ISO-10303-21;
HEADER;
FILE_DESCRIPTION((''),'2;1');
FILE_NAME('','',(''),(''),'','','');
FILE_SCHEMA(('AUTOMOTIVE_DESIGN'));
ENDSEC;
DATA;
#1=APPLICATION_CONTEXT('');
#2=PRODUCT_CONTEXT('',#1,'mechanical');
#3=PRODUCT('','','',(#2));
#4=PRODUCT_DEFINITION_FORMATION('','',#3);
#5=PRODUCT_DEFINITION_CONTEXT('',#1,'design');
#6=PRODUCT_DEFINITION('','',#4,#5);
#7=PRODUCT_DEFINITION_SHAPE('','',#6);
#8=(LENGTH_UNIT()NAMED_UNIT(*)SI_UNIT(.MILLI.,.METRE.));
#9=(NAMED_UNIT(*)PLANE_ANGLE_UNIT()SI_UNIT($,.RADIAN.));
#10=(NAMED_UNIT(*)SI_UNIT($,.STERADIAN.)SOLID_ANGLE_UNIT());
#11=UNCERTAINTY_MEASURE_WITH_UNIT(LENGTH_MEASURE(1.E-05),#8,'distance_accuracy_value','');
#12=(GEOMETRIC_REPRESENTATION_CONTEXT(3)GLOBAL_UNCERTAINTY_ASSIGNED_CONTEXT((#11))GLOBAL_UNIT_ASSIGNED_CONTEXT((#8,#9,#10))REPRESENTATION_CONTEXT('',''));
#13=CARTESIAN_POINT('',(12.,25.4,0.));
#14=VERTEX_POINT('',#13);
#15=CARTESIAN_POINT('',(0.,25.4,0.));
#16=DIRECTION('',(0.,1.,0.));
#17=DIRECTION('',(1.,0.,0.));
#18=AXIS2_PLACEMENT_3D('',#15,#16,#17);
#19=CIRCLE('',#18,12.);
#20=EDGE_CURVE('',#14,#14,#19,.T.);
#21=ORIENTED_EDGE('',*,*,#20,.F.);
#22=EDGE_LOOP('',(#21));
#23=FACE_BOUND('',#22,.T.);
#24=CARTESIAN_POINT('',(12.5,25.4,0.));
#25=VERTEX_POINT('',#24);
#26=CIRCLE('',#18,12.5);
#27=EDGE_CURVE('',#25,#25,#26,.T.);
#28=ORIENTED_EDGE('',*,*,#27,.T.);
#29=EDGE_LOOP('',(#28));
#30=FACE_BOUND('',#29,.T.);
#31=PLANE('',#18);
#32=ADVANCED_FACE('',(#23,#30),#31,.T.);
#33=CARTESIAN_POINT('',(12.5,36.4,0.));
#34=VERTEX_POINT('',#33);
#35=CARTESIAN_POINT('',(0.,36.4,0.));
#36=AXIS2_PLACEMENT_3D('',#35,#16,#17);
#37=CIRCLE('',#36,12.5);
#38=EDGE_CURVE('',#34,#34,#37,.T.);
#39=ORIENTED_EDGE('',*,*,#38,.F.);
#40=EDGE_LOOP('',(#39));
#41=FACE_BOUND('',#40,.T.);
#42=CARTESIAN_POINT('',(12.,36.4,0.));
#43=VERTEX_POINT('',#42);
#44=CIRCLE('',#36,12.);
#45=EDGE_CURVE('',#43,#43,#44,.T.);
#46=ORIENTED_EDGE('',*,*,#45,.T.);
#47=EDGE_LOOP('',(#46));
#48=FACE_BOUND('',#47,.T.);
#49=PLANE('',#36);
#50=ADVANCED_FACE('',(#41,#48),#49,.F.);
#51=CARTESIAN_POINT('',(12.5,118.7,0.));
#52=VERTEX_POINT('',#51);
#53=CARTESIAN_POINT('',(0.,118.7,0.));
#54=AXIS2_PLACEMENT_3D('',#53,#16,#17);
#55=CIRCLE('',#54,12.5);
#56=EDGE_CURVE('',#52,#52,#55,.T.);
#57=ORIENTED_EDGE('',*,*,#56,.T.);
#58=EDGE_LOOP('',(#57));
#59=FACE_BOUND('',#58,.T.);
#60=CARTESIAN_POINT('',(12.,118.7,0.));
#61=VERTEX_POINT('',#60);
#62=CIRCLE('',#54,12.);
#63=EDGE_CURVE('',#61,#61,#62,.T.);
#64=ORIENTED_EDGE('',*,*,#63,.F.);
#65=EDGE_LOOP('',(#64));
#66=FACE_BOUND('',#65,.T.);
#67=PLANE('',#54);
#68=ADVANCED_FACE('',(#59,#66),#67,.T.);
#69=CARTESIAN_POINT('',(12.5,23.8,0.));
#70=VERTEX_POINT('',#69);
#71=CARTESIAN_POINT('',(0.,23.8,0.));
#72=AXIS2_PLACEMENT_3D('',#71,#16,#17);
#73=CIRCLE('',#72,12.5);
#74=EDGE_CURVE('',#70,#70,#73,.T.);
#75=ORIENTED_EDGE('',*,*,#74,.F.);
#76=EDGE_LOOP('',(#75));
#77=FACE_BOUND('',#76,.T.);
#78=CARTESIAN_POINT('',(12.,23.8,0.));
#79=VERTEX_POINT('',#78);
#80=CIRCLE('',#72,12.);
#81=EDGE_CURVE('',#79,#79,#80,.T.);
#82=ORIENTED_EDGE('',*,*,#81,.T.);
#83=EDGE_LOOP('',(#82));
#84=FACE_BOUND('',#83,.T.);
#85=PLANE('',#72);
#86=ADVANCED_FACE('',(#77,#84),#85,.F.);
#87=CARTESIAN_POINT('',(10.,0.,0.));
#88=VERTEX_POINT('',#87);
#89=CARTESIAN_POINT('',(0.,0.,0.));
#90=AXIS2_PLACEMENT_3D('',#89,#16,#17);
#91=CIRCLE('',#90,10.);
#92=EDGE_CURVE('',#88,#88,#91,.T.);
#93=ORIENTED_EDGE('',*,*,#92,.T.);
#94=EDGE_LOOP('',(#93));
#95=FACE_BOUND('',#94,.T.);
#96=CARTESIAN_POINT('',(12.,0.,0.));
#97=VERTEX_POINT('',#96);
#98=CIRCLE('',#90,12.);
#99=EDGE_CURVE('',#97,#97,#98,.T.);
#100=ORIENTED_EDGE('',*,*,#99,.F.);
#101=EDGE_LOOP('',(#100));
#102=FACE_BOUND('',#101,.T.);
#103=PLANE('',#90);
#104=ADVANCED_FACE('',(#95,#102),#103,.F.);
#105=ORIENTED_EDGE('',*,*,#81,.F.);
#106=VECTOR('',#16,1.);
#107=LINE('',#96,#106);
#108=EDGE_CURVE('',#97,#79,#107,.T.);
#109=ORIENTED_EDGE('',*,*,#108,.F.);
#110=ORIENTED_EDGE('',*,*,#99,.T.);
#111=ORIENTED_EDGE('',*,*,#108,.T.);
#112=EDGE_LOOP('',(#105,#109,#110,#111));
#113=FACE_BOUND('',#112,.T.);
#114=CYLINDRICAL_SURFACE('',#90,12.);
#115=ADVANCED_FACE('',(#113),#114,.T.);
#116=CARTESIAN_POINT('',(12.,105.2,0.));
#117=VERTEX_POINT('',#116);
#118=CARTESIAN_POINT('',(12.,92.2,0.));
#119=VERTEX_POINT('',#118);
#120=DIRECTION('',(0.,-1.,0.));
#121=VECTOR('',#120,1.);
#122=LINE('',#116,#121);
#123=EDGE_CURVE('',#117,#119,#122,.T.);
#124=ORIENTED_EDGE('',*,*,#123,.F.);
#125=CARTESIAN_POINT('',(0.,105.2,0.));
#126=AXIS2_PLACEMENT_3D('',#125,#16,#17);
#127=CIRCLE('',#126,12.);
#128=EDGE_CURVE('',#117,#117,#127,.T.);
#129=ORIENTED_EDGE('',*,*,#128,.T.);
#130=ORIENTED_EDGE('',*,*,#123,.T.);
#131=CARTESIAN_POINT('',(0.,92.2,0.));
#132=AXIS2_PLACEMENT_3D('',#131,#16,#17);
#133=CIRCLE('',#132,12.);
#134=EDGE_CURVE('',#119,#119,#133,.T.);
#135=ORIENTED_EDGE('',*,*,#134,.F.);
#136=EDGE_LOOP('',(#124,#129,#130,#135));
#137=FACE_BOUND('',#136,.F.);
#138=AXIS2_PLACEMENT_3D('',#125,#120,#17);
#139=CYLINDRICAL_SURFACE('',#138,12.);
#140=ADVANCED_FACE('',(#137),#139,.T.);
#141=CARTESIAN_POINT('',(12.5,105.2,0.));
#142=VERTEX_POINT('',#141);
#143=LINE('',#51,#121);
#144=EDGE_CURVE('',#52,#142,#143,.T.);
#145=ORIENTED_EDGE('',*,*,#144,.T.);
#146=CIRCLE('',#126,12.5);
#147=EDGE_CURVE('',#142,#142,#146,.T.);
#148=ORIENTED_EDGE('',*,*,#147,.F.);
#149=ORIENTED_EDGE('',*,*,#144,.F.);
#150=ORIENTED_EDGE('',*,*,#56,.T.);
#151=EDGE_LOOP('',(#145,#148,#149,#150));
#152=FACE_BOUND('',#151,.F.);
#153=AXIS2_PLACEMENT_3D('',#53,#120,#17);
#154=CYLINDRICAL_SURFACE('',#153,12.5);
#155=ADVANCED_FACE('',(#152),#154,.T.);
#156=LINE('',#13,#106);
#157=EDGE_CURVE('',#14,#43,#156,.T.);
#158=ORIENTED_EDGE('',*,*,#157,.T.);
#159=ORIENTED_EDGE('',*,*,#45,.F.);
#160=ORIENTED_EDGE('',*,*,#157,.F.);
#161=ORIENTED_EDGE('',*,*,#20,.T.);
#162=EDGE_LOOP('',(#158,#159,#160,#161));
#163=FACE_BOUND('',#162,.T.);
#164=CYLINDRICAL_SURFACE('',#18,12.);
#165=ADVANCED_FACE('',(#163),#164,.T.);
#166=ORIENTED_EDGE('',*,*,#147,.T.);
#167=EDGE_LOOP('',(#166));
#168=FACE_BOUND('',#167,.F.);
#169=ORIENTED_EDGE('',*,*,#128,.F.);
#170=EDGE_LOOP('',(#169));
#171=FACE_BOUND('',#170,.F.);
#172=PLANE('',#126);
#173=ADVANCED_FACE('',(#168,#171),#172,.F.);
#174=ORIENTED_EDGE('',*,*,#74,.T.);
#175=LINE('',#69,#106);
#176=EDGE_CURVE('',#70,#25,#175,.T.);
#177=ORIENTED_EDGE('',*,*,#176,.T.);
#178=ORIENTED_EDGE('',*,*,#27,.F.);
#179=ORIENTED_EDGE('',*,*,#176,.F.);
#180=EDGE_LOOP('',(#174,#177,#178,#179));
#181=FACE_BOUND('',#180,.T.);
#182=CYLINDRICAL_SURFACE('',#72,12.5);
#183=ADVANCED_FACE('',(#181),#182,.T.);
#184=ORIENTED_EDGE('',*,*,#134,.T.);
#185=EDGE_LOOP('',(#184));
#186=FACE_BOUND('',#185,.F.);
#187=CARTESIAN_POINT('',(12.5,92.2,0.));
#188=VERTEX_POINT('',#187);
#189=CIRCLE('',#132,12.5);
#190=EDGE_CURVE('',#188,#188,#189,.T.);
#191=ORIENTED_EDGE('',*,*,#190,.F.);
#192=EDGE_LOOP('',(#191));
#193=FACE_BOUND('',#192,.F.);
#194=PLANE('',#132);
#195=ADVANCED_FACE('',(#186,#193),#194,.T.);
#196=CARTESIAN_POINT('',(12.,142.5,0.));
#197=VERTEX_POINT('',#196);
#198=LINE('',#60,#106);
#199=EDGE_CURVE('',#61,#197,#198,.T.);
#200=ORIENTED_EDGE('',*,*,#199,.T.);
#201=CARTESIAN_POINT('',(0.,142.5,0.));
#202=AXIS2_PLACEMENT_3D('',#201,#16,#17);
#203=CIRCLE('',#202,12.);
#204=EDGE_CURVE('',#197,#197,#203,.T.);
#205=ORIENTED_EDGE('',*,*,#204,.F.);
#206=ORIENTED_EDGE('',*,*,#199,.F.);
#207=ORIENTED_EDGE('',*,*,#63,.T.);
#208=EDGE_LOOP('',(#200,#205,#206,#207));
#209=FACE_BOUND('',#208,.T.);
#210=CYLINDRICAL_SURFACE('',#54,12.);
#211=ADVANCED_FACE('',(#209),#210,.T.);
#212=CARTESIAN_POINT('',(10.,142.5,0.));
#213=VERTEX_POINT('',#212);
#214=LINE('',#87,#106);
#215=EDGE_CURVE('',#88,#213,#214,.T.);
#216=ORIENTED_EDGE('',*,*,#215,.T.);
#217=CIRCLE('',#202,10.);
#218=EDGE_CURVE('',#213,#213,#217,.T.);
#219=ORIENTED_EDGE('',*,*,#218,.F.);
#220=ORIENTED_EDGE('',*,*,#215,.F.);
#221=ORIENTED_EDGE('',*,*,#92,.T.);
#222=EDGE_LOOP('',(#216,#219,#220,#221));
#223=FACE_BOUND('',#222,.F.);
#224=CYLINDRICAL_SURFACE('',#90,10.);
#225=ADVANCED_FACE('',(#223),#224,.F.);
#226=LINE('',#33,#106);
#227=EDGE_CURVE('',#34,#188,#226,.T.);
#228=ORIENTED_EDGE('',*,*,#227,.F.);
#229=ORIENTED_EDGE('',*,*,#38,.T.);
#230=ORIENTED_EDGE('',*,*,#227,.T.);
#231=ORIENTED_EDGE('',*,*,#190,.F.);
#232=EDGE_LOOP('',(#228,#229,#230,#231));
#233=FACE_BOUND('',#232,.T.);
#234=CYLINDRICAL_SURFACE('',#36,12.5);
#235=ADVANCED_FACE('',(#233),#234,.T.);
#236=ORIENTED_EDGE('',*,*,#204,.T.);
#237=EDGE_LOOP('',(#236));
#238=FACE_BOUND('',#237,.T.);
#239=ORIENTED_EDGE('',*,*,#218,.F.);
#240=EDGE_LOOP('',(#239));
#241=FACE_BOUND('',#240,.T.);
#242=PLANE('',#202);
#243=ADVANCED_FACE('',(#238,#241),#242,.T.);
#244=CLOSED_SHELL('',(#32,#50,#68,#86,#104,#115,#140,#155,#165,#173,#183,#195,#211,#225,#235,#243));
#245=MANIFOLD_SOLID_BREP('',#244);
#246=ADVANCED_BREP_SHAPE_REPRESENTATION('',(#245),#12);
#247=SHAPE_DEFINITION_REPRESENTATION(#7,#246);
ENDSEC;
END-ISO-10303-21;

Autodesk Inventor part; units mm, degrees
ref_plane "YZ Plane" through (0, 0, 0) normal (1, 0, 0) x (0, 1, 0)
ref_plane "XZ Plane" through (0, 0, 0) normal (0, 1, 0) x (-1, 0, 0)
ref_plane "XY Plane" through (0, 0, 0) normal (0, 0, 1) x (1, 0, 0)
sketch "Sketch1" plane through (0, 0, 0) normal (0, 0, 1) x (1, 0, 0)
  line L0 (0, 0) -> (10, 0)
  line L1 (10, 0) -> (12, 0)
  line L2 (10, 0) -> (10, 142.5)
  line L3 (0, 0) -> (0, 30)
  line L4 (12, 0) -> (12, 23.8)
  line L5 (12, 23.8) -> (12.5, 23.8)
  line L6 (12.5, 23.8) -> (12.5, 25.4)
  line L7 (12.5, 25.4) -> (12, 25.4)
  line L8 (12, 25.4) -> (12, 36.4)
  line L9 (12, 36.4) -> (12.5, 36.4)
  line L10 (12.5, 118.7) -> (12, 118.7)
  line L11 (12, 118.7) -> (12, 142.5)
  line L12 (12, 142.5) -> (10, 142.5)
  line L13 (12.5, 118.7) -> (12.5, 105.2)
  line L14 (12.5, 105.2) -> (12, 105.2)
  line L15 (12, 105.2) -> (12, 92.2)
  line L16 (12, 92.2) -> (12.5, 92.2)
  line L17 (12.5, 36.4) -> (12.5, 92.2)
  line L18 (12.5, 105.2) -> (12.5, 118.7)
  dimension "d0" = 10
  dimension "d1" = 2
  dimension "d2" = 142.5
  dimension "d4" = 30
  dimension "d6" = 23.8
  dimension "d7" = 0.5
  dimension "d8" = 1.6
  dimension "d9" = 11
  dimension "d10" = 90
  dimension "d11" = 0.5
  dimension "d12" = 82.3
  dimension "d13" = 13.5
  dimension "d14" = 0.5
  dimension "d15" = 13
revolve "Revolution1" add sketch "Sketch1" angle 360 about axis through (0, 0, 0) along (0, 1, 0)
properties part number "Axe manivelles"
